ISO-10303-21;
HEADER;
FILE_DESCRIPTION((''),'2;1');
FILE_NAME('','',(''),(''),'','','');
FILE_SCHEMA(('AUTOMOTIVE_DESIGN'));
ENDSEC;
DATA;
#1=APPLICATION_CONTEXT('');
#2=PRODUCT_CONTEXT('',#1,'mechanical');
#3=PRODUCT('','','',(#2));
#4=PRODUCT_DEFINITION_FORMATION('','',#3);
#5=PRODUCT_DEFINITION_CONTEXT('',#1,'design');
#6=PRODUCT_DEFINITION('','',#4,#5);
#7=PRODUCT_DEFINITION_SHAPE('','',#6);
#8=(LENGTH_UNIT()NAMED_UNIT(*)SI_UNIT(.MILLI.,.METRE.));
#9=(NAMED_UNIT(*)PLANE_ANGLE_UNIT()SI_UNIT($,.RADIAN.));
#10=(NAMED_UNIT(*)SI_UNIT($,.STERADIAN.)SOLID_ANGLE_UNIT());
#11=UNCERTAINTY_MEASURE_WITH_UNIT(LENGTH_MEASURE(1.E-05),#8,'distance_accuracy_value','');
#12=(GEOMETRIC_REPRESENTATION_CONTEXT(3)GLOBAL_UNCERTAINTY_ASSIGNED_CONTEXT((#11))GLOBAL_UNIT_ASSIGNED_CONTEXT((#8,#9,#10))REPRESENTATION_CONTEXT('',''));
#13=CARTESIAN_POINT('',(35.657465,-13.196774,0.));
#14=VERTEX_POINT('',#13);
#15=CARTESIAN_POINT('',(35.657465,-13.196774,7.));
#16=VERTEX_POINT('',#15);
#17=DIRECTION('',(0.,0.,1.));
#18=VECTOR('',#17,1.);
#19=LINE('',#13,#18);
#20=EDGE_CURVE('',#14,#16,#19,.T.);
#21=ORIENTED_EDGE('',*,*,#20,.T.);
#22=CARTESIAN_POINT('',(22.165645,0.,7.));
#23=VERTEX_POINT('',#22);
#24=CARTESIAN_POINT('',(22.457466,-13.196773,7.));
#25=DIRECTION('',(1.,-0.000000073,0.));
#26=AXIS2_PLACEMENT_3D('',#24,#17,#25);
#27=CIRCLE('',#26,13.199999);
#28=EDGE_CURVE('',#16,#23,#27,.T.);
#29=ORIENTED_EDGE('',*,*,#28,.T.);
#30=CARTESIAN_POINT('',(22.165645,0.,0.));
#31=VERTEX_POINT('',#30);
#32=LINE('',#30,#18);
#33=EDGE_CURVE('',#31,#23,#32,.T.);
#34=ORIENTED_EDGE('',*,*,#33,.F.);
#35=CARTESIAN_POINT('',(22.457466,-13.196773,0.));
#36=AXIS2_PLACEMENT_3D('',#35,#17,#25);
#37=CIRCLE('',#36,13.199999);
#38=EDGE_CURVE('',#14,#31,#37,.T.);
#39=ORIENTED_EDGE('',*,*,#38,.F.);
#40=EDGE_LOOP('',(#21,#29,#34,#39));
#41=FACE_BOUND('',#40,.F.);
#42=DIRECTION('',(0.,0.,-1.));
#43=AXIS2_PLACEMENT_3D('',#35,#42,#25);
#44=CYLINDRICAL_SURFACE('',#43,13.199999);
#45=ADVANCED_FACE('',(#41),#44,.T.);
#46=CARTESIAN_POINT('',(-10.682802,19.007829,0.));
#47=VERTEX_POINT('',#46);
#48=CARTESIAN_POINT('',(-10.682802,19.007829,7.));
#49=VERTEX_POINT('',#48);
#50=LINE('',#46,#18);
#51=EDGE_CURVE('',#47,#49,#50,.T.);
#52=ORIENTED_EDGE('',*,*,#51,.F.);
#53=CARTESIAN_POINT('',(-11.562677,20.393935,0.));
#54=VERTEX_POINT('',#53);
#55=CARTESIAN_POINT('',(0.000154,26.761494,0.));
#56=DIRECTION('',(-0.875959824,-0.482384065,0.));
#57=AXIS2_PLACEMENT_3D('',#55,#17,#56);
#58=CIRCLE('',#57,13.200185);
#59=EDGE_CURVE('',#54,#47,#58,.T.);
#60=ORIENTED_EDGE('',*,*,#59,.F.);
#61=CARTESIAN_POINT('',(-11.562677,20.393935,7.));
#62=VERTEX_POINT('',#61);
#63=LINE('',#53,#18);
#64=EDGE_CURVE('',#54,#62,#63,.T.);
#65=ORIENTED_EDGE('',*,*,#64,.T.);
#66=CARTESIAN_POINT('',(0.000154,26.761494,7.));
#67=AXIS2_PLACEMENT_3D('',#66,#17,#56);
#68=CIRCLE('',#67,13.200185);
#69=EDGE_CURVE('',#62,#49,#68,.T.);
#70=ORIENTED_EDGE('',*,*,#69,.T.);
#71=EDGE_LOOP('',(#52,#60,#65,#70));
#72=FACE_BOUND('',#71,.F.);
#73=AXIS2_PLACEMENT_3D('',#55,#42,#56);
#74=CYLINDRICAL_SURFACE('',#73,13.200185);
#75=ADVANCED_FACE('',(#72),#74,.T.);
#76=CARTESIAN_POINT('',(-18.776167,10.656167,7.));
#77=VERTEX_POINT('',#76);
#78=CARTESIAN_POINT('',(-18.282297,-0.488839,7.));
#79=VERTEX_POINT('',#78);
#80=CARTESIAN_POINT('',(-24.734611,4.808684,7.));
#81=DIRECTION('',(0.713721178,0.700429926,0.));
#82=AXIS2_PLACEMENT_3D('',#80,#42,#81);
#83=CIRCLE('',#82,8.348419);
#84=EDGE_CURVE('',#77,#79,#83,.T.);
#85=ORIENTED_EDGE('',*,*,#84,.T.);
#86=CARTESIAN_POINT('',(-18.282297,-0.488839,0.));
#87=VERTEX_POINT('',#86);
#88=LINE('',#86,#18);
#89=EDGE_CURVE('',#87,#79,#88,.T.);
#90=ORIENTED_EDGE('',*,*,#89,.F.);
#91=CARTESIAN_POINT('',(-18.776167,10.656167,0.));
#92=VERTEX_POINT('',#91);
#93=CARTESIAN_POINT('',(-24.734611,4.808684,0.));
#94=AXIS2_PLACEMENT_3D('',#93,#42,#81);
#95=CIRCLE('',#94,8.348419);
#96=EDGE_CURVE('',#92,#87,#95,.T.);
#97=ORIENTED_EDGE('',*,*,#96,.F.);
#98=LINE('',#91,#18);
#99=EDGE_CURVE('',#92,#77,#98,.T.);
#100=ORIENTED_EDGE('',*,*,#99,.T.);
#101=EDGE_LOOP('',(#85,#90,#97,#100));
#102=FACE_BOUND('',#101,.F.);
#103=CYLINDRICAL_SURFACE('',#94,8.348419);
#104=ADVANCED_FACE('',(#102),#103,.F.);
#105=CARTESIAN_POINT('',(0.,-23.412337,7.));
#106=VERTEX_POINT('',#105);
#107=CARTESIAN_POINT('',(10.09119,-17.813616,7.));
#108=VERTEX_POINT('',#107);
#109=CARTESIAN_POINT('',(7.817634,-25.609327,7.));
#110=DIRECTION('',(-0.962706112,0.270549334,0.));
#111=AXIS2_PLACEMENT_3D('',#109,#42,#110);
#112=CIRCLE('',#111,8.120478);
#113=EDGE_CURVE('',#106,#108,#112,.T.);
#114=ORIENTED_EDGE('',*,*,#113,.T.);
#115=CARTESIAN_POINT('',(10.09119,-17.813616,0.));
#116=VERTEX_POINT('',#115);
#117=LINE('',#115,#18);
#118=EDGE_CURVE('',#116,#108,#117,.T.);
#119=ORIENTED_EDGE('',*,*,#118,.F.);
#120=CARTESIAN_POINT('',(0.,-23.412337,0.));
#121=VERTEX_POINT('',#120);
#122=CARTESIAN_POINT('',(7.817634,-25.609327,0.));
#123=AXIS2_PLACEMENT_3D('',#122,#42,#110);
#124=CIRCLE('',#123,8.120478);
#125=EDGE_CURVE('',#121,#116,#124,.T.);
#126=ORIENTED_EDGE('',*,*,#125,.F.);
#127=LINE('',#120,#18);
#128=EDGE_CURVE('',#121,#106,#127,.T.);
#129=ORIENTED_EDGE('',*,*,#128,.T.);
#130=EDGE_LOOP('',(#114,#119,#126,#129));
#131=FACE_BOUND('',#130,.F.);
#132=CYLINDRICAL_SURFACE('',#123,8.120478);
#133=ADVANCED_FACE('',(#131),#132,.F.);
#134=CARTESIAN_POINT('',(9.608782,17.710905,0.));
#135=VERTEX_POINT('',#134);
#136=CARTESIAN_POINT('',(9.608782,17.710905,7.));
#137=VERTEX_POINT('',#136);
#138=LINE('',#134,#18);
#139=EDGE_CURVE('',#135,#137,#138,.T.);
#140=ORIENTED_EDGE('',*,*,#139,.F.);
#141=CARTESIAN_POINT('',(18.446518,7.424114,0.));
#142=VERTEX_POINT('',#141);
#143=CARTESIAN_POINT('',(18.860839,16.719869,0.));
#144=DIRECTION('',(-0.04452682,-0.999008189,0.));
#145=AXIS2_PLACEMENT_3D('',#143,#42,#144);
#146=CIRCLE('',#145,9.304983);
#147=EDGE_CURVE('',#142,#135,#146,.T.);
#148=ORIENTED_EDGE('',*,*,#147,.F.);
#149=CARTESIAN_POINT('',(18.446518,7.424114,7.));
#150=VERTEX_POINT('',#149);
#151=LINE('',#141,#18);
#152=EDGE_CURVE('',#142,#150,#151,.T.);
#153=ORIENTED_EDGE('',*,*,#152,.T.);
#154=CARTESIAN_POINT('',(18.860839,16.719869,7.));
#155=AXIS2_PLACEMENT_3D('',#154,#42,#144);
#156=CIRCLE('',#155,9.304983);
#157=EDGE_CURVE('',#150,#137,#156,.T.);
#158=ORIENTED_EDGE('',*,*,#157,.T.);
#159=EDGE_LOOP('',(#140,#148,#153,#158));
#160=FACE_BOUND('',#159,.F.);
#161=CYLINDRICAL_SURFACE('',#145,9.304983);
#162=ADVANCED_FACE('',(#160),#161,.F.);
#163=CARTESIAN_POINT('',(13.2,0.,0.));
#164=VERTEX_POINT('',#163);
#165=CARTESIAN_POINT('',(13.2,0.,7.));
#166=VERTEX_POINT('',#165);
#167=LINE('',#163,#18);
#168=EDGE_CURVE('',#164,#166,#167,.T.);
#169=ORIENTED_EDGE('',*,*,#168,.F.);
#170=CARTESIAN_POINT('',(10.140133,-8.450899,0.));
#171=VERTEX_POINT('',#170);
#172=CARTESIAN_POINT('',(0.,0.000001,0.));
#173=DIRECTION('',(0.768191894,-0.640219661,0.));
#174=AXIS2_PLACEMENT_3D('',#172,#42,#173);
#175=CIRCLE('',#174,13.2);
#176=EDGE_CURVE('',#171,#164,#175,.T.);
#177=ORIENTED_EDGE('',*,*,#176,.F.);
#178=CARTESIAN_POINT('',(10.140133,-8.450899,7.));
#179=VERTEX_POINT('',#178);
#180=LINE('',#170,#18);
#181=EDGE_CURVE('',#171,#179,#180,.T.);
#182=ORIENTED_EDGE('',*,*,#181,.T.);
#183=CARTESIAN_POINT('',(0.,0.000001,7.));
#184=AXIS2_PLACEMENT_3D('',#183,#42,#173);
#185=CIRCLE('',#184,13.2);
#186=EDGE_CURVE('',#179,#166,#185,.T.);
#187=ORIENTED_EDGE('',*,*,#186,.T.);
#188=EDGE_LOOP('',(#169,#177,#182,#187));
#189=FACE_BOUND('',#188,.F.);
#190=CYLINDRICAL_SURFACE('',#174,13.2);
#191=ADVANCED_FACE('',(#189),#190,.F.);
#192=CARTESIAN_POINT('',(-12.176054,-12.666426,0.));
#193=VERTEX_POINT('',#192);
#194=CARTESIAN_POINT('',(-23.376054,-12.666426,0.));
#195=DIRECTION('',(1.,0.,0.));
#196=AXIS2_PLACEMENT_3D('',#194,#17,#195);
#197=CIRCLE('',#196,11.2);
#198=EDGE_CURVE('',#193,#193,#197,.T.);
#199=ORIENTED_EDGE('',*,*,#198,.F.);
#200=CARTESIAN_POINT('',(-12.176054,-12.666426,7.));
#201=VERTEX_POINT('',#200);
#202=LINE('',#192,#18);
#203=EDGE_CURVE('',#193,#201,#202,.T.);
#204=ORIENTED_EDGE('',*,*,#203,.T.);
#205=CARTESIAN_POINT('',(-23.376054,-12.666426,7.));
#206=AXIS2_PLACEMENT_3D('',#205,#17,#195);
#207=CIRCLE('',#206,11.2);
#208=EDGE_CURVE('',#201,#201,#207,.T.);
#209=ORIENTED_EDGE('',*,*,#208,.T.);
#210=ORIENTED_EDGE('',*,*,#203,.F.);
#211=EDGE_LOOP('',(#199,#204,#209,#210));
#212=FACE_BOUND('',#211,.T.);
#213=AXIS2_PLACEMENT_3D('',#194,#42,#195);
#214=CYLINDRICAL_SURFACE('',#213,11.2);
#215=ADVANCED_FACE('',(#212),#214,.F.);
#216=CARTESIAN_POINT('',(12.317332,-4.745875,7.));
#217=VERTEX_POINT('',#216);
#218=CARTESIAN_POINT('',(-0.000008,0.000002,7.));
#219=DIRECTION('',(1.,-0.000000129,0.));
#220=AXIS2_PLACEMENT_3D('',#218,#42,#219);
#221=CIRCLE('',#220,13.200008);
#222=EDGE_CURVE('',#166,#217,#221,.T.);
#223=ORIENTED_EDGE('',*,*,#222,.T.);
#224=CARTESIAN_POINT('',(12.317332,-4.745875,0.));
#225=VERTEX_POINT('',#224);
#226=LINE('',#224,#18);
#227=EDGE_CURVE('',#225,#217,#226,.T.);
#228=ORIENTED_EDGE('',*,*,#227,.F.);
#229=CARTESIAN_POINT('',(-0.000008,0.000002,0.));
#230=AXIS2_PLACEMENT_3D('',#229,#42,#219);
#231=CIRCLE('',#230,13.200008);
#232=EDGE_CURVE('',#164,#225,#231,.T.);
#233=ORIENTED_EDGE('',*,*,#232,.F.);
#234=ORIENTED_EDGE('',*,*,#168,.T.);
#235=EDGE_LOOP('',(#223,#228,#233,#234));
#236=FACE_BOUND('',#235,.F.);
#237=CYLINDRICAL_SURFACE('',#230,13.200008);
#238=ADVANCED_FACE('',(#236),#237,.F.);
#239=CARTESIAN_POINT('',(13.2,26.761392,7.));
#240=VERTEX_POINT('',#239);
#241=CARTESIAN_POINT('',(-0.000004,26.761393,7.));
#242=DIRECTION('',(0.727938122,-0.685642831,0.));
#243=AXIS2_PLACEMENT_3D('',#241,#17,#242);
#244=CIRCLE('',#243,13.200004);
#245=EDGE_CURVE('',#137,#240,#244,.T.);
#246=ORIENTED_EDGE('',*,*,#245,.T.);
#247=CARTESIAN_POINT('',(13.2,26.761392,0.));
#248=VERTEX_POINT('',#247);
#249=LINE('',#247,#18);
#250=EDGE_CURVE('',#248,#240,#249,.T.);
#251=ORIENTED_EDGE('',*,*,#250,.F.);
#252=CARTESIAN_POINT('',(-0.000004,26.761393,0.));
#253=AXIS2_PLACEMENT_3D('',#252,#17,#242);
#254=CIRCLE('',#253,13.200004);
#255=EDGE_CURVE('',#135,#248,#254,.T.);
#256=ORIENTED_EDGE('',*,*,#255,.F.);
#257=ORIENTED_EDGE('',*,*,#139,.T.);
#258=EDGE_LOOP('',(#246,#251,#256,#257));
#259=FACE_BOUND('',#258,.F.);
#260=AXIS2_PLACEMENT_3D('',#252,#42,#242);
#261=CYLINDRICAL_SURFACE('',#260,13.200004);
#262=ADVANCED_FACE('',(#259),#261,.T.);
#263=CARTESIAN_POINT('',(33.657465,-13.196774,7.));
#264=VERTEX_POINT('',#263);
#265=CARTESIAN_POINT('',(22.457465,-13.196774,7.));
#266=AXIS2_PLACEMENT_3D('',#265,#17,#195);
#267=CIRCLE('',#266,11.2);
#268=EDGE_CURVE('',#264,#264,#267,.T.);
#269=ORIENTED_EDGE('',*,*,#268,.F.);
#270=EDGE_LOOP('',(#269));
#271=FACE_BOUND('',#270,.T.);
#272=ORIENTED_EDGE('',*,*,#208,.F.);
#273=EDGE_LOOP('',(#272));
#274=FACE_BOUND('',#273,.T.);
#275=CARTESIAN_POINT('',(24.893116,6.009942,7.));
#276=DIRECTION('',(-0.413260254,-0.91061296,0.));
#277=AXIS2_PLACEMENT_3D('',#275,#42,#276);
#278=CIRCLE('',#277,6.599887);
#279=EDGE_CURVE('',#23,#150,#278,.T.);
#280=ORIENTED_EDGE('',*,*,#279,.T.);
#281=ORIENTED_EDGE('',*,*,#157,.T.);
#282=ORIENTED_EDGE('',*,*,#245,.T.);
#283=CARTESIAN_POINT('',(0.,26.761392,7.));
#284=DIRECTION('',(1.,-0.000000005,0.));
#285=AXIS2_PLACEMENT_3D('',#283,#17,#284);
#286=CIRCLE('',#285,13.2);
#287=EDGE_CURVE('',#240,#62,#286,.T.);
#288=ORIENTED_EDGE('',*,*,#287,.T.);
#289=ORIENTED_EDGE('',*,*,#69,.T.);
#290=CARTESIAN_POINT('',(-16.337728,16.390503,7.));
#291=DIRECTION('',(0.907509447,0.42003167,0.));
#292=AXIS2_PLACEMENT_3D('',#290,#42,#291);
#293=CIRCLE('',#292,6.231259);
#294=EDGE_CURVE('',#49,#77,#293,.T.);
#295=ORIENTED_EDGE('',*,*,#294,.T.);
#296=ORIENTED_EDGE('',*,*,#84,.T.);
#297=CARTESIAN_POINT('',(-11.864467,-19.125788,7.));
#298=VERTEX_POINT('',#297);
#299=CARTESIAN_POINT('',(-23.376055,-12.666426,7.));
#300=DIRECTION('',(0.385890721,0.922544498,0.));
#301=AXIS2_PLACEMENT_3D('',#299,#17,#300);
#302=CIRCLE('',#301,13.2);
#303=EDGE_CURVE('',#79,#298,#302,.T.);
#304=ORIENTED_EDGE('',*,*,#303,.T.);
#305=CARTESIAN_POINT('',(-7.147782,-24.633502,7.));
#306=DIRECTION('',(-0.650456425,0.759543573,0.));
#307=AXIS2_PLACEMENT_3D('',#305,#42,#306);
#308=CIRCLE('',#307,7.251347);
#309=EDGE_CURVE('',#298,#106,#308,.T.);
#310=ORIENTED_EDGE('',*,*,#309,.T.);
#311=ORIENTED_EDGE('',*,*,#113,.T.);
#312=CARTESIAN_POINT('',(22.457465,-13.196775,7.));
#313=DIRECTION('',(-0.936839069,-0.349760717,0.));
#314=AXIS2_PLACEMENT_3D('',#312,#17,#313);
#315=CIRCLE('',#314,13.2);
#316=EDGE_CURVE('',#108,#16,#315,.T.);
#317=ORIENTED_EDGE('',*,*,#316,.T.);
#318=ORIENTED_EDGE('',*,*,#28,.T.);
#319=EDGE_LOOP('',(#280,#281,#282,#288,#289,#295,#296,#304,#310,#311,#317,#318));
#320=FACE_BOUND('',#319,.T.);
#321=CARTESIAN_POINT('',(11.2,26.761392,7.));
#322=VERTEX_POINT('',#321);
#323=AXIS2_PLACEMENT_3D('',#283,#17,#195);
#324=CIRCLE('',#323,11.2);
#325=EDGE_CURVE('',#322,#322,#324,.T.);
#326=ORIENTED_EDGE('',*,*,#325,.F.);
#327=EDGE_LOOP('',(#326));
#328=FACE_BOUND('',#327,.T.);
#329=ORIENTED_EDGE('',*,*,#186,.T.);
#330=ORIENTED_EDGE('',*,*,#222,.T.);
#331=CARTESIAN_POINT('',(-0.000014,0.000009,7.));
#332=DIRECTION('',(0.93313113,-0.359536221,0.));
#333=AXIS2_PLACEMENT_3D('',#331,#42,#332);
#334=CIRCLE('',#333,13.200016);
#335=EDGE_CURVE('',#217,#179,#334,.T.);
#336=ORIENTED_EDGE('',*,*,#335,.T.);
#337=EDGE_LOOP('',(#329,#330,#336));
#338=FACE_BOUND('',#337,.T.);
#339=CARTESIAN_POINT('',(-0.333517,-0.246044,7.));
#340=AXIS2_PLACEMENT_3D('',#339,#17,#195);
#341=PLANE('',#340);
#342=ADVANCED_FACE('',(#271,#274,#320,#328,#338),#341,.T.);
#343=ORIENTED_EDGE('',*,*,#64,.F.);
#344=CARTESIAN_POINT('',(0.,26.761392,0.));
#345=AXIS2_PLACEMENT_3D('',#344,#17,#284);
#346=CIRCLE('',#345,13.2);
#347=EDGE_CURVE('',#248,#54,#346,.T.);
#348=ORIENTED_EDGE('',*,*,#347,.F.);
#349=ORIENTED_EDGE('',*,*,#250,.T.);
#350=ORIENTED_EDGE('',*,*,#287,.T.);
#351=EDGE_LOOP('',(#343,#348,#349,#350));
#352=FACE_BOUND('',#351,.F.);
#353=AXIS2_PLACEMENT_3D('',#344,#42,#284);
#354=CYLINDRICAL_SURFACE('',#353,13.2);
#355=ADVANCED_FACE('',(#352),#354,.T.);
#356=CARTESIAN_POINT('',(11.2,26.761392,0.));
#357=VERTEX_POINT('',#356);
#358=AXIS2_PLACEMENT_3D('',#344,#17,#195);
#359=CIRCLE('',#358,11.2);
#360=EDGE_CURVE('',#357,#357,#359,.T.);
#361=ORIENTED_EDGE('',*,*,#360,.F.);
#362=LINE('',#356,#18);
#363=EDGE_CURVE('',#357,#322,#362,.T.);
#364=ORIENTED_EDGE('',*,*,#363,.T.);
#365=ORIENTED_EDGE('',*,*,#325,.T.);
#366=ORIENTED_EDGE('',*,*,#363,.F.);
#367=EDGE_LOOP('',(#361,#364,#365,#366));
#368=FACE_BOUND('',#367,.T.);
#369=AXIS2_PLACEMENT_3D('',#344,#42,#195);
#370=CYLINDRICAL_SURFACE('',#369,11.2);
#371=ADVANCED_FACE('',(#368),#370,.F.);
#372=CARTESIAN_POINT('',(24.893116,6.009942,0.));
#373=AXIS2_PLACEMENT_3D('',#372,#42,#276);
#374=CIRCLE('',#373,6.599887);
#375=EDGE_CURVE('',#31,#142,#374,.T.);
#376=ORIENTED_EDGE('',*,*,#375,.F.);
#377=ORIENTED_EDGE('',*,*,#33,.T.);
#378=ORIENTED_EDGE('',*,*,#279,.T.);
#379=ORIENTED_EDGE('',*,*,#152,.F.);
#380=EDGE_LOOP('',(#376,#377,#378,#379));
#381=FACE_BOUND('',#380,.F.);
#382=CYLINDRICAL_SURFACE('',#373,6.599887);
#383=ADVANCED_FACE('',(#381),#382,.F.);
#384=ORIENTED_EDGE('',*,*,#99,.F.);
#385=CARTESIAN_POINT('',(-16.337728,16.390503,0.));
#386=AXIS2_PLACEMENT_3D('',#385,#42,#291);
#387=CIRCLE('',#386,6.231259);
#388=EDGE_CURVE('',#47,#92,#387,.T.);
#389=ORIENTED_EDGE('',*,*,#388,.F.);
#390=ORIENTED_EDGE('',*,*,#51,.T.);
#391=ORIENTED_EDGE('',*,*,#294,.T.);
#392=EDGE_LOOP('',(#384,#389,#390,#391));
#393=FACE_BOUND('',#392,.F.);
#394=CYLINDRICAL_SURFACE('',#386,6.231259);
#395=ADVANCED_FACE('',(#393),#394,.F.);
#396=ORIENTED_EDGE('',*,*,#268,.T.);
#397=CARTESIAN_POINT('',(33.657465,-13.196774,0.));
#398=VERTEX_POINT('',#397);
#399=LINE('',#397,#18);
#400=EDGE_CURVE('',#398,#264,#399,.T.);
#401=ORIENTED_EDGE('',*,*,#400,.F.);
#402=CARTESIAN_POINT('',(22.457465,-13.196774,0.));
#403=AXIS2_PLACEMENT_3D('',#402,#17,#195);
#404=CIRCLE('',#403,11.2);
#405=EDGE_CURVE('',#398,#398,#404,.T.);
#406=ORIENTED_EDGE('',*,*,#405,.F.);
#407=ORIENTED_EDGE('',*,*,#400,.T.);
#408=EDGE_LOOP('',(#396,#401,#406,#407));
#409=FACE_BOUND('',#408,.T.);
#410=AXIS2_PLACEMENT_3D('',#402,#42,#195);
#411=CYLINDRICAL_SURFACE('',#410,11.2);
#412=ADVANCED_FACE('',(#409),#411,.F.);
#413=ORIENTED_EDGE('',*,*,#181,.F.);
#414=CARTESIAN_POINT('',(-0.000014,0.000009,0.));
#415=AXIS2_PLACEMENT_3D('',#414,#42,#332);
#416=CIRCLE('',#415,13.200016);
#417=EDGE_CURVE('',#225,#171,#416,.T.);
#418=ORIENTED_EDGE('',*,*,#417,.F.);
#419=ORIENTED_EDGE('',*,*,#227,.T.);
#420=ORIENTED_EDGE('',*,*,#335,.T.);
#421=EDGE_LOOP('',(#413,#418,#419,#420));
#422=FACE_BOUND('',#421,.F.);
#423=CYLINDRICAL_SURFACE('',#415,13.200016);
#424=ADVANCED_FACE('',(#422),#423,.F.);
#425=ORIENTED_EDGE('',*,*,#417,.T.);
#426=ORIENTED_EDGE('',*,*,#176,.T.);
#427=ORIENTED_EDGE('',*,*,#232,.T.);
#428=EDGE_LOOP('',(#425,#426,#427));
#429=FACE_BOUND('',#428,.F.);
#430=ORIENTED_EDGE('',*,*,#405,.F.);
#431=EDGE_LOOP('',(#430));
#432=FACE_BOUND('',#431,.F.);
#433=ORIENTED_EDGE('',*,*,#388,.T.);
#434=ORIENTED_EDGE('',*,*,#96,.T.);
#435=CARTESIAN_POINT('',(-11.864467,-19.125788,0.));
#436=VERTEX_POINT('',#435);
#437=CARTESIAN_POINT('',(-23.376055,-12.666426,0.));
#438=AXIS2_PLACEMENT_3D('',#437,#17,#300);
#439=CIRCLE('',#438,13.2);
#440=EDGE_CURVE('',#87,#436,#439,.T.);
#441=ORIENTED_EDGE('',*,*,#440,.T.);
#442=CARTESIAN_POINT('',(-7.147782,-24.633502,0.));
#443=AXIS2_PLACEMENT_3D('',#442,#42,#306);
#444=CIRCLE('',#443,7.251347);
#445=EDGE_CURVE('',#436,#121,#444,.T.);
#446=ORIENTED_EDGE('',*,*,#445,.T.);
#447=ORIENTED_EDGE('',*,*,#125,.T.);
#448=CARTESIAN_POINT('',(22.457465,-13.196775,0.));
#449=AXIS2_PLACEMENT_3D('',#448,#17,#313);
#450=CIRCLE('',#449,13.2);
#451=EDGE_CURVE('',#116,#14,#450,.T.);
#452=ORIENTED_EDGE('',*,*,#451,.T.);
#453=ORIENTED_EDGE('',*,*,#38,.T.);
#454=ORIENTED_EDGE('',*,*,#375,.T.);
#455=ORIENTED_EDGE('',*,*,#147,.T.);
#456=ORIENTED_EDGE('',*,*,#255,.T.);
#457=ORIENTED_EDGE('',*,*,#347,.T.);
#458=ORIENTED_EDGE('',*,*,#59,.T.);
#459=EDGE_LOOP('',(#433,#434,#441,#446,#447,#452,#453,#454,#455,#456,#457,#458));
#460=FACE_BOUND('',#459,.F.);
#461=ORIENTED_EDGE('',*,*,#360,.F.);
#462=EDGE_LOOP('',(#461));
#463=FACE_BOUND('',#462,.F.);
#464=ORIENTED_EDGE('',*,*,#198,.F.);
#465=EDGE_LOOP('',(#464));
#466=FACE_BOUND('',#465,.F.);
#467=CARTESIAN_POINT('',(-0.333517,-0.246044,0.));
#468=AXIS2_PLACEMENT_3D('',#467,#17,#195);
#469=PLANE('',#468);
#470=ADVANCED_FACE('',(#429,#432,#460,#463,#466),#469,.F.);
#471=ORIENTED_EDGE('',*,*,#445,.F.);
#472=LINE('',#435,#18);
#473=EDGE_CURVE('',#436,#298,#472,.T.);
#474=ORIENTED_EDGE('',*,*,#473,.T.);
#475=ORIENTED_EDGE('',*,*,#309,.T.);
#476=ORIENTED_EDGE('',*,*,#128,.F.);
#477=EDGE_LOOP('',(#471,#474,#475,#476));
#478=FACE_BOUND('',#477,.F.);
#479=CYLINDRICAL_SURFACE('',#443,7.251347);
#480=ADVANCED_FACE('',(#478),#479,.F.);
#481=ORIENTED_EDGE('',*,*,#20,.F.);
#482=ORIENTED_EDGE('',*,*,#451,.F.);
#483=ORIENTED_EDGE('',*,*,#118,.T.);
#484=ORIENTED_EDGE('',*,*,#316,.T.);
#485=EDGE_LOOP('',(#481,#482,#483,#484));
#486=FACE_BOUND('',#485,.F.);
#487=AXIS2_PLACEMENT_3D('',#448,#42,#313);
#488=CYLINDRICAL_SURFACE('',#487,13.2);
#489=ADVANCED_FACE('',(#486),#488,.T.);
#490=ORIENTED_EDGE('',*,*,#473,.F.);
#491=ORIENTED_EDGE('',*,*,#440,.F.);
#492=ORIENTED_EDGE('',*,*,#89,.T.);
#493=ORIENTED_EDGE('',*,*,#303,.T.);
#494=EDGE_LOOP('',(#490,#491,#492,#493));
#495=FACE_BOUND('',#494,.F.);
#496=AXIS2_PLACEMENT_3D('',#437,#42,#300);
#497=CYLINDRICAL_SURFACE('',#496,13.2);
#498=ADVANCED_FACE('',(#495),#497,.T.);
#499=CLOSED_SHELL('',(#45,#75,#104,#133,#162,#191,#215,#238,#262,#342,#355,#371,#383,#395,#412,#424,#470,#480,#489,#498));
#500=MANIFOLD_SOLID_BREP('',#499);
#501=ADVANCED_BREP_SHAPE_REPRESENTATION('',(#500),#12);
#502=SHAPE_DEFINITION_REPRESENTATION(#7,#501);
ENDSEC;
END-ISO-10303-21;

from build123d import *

# Parameters (mm, degrees)
F0_R     = 11.2
F1_DEPTH = 7


with BuildPart() as f1:
    # F0 (on Top) → F1 (new body)
    with BuildSketch(Plane.XY):
        with BuildLine():
            ThreePointArc((10.140133, -8.450899), (-12.411482, 4.493898), (13.2, 0))
            ThreePointArc((13.2, 0), (12.977457, -2.413629), (12.317332, -4.745875))
            ThreePointArc((12.317332, -4.745875), (16.727086, -1.305485), (22.165645, 0))
            ThreePointArc((22.165645, 0), (18.992247, 3.053889), (18.446518, 7.424114))
            ThreePointArc((18.446518, 7.424114), (11.802919, 10.656167), (9.608782, 17.710905))
            ThreePointArc((9.608782, 17.710905), (-0.841952, 13.588271), (-10.682802, 19.007829))
            ThreePointArc((-10.682802, 19.007829), (-11.862909, 12.054078), (-18.776167, 10.656167))
            ThreePointArc((-18.776167, 10.656167), (-16.394376, 5.178266), (-18.282297, -0.488839))
            ThreePointArc((-18.282297, -0.488839), (-12.387933, -5.351975), (-10.176054, -12.666426))
            ThreePointArc((-10.176054, -12.666426), (-10.605131, -16.004618), (-11.864467, -19.125788))
            ThreePointArc((-11.864467, -19.125788), (-4.683804, -17.813616), (0, -23.412337))
            ThreePointArc((0, -23.412337), (3.878012, -18.508514), (10.09119, -17.813616))
            ThreePointArc((10.09119, -17.813616), (9.257646, -13.127772), (10.140133, -8.450899))
        make_face()
        with BuildLine():
            ThreePointArc((12.317332, -4.745875), (11.38052, -6.687582), (10.140133, -8.450899))
            ThreePointArc((10.140133, -8.450899), (9.257646, -13.127772), (10.09119, -17.813616))
            ThreePointArc((10.09119, -17.813616), (24.803224, -26.186671), (35.657465, -13.196774))
            ThreePointArc((35.657465, -13.196774), (31.687524, -3.760354), (22.165645, 0))
            ThreePointArc((22.165645, 0), (16.727086, -1.305485), (12.317332, -4.745875))
        make_face()
        with Locations((22.457465, -13.196774)):
            Circle(F0_R, mode=Mode.SUBTRACT)
        with BuildLine():
            ThreePointArc((-18.282297, -0.488839), (-35.856773, -16.964294), (-11.864467, -19.125788))
            ThreePointArc((-11.864467, -19.125788), (-10.605131, -16.004618), (-10.176054, -12.666426))
            ThreePointArc((-10.176054, -12.666426), (-12.387933, -5.351975), (-18.282297, -0.488839))
        make_face()
        with Locations((-23.376054, -12.666426)):
            Circle(F0_R, mode=Mode.SUBTRACT)
        with BuildLine():
            ThreePointArc((-10.682802, 19.007829), (-0.841952, 13.588271), (9.608782, 17.710905))
            ThreePointArc((9.608782, 17.710905), (12.269391, 21.892918), (13.2, 26.761392))
            ThreePointArc((13.2, 26.761392), (-3.287299, 39.54551), (-11.562677, 20.393935))
            ThreePointArc((-11.562677, 20.393935), (-11.076889, 19.729987), (-10.682802, 19.007829))
        make_face()
        with Locations((0, 26.761392)):
            Circle(F0_R, mode=Mode.SUBTRACT)
        with BuildLine():
            ThreePointArc((-11.562677, 20.393935), (-11.14431, 19.687189), (-10.682802, 19.007829))
            ThreePointArc((-10.682802, 19.007829), (-11.076889, 19.729987), (-11.562677, 20.393935))
        make_face()
    extrude(amount=F1_DEPTH)


solid = f1.part
